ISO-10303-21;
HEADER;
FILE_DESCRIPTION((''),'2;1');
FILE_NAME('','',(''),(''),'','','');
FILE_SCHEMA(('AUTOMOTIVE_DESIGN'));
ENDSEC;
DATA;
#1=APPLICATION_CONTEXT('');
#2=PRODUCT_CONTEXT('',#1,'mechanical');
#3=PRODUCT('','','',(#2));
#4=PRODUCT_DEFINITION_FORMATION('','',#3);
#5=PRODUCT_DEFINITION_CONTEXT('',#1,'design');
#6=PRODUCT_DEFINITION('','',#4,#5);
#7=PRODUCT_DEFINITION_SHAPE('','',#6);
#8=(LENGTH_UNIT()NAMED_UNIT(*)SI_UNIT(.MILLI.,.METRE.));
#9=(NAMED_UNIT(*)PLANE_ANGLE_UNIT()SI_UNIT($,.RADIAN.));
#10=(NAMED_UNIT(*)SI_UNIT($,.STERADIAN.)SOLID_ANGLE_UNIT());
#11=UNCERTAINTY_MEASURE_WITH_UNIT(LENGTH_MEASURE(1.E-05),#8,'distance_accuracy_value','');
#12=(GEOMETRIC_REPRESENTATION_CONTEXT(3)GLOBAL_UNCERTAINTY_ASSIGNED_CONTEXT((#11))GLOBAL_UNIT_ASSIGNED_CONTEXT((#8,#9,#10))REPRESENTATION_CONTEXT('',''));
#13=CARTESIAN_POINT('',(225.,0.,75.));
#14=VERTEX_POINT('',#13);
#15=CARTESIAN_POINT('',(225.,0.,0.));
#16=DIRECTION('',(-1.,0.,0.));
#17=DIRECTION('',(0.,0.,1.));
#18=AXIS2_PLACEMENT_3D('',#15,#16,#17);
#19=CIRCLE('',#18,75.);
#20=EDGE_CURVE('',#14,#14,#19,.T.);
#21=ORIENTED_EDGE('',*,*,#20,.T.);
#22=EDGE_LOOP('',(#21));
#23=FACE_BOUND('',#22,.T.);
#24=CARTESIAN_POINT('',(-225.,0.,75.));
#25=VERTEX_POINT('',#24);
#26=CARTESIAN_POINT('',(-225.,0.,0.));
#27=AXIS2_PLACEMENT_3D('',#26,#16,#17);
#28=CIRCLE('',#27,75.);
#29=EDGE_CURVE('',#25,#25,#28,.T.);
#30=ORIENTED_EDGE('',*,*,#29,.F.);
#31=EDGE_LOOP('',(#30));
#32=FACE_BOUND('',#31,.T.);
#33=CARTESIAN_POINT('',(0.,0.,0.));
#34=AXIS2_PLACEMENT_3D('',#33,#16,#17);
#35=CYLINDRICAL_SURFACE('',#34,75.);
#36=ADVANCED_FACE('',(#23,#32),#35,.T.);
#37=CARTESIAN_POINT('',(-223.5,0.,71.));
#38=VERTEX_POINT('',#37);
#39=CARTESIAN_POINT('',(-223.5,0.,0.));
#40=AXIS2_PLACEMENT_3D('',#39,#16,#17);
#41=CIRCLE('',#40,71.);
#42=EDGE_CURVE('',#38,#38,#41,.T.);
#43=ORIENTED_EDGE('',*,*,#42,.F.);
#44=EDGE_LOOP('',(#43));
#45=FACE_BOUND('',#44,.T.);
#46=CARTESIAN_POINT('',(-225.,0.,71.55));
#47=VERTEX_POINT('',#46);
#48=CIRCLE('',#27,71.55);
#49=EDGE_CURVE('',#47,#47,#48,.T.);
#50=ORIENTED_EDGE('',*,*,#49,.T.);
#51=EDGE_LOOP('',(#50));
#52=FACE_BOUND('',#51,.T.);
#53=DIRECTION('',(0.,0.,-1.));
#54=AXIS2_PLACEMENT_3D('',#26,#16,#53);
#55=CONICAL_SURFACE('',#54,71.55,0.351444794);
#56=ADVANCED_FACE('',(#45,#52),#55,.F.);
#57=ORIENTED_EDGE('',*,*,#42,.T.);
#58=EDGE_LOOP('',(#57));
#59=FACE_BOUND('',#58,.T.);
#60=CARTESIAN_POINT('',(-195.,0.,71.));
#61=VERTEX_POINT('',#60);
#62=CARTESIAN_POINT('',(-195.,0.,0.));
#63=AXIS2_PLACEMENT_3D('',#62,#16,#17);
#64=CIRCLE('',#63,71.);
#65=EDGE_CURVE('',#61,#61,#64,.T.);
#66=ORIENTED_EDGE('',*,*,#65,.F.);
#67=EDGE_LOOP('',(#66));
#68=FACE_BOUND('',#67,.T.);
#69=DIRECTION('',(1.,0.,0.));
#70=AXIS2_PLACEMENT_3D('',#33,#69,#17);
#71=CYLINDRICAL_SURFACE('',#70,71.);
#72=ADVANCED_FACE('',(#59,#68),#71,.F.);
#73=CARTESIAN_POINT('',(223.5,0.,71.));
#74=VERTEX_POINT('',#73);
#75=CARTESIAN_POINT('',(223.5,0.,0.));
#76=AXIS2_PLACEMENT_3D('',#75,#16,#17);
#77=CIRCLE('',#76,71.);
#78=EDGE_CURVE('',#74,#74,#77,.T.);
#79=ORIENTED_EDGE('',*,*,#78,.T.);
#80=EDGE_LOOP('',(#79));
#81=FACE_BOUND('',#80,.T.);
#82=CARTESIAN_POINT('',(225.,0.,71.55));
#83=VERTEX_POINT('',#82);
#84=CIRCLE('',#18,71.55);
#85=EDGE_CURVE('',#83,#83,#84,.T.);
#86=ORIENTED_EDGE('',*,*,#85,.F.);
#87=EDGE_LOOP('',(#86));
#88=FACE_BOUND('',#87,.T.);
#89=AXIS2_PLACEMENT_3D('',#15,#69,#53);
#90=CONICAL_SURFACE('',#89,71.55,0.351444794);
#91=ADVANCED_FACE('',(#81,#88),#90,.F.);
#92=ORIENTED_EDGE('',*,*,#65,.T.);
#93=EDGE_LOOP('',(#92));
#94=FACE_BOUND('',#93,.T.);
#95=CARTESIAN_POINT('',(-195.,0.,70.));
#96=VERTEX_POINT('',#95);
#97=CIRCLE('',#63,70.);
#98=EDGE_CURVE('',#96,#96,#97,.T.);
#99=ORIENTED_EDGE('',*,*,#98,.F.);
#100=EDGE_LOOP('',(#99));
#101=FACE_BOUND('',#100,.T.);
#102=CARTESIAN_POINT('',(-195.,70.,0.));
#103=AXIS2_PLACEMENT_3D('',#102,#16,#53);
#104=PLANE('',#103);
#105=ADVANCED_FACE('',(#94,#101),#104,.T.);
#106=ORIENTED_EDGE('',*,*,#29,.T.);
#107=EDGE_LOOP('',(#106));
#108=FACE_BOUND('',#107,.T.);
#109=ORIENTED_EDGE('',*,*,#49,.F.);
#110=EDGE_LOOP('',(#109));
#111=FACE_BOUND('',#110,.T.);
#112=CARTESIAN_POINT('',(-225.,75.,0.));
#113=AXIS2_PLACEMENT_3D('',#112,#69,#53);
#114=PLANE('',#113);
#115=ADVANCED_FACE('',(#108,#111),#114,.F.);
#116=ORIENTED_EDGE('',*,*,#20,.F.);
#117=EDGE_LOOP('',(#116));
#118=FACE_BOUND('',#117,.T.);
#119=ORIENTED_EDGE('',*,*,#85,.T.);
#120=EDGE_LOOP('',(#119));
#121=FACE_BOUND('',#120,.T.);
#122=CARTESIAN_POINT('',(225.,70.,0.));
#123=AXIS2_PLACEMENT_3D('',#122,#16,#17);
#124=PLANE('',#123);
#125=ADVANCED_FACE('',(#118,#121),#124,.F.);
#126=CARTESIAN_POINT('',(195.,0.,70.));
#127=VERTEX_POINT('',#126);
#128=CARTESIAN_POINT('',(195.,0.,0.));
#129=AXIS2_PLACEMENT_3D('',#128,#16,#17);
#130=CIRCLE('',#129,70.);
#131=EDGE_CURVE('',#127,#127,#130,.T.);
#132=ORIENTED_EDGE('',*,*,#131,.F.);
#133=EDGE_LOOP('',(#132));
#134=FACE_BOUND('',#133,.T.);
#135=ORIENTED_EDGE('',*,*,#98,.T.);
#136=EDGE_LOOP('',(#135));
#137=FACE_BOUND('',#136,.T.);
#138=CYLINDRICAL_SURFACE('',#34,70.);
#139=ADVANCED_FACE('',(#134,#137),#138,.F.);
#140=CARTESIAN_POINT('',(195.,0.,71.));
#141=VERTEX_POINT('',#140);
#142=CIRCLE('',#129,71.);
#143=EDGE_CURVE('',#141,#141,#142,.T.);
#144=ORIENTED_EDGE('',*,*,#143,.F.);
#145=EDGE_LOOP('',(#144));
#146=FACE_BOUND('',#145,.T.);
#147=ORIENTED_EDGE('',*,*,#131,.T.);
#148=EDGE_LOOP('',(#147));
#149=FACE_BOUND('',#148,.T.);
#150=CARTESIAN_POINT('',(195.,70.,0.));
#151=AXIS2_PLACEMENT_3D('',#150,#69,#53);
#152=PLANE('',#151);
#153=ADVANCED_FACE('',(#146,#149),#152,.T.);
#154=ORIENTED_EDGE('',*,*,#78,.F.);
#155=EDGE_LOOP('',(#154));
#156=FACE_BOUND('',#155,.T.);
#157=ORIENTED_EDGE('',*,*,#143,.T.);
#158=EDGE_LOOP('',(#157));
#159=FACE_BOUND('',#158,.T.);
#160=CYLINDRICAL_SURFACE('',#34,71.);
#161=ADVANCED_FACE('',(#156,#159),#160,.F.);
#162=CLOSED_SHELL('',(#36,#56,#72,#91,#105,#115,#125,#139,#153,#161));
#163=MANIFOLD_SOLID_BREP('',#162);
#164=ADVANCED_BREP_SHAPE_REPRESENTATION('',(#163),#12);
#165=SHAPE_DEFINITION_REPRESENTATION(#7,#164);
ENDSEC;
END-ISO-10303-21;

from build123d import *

# Parameters (mm, degrees)
SKETCH_1_W = 450
SKETCH_1_H = 5


with BuildPart() as part:
    # ｽｹｯﾁ1 → Revolve 585 (revolve)
    with BuildSketch(Plane.XY, mode=Mode.PRIVATE) as revolve_585_sk:
        with Locations((0, 72.5)):
            Rectangle(SKETCH_1_W, SKETCH_1_H)
    revolve(revolve_585_sk.sketch.rotate(Axis((0, 0, 0), (1, 0, 0)), 90), axis=Axis((0, 0, 0), (1, 0, 0)))

    # ｽｹｯﾁ2 → Cut-Revolve 639 (revolve, cut)
    with BuildSketch(Plane.XY, mode=Mode.PRIVATE) as cut_revolve_639_sk:
        Polygon((195, 70), (195, 71), (223.5, 71), (225, 71.55), (225, 70), align=None)
    cut_revolve_639 = revolve(cut_revolve_639_sk.sketch.rotate(Axis((0, 0, 0), (1, 0, 0)), 90), axis=Axis((0, 0, 0), (1, 0, 0)), mode=Mode.SUBTRACT)

    # Mirror 681: Cut-Revolve 639 across plane
    add(cut_revolve_639.mirror(Plane(origin=(0, 0, 0), x_dir=(0, 0, 1), z_dir=(1, 0, 0))), mode=Mode.SUBTRACT)


solid = part.part
